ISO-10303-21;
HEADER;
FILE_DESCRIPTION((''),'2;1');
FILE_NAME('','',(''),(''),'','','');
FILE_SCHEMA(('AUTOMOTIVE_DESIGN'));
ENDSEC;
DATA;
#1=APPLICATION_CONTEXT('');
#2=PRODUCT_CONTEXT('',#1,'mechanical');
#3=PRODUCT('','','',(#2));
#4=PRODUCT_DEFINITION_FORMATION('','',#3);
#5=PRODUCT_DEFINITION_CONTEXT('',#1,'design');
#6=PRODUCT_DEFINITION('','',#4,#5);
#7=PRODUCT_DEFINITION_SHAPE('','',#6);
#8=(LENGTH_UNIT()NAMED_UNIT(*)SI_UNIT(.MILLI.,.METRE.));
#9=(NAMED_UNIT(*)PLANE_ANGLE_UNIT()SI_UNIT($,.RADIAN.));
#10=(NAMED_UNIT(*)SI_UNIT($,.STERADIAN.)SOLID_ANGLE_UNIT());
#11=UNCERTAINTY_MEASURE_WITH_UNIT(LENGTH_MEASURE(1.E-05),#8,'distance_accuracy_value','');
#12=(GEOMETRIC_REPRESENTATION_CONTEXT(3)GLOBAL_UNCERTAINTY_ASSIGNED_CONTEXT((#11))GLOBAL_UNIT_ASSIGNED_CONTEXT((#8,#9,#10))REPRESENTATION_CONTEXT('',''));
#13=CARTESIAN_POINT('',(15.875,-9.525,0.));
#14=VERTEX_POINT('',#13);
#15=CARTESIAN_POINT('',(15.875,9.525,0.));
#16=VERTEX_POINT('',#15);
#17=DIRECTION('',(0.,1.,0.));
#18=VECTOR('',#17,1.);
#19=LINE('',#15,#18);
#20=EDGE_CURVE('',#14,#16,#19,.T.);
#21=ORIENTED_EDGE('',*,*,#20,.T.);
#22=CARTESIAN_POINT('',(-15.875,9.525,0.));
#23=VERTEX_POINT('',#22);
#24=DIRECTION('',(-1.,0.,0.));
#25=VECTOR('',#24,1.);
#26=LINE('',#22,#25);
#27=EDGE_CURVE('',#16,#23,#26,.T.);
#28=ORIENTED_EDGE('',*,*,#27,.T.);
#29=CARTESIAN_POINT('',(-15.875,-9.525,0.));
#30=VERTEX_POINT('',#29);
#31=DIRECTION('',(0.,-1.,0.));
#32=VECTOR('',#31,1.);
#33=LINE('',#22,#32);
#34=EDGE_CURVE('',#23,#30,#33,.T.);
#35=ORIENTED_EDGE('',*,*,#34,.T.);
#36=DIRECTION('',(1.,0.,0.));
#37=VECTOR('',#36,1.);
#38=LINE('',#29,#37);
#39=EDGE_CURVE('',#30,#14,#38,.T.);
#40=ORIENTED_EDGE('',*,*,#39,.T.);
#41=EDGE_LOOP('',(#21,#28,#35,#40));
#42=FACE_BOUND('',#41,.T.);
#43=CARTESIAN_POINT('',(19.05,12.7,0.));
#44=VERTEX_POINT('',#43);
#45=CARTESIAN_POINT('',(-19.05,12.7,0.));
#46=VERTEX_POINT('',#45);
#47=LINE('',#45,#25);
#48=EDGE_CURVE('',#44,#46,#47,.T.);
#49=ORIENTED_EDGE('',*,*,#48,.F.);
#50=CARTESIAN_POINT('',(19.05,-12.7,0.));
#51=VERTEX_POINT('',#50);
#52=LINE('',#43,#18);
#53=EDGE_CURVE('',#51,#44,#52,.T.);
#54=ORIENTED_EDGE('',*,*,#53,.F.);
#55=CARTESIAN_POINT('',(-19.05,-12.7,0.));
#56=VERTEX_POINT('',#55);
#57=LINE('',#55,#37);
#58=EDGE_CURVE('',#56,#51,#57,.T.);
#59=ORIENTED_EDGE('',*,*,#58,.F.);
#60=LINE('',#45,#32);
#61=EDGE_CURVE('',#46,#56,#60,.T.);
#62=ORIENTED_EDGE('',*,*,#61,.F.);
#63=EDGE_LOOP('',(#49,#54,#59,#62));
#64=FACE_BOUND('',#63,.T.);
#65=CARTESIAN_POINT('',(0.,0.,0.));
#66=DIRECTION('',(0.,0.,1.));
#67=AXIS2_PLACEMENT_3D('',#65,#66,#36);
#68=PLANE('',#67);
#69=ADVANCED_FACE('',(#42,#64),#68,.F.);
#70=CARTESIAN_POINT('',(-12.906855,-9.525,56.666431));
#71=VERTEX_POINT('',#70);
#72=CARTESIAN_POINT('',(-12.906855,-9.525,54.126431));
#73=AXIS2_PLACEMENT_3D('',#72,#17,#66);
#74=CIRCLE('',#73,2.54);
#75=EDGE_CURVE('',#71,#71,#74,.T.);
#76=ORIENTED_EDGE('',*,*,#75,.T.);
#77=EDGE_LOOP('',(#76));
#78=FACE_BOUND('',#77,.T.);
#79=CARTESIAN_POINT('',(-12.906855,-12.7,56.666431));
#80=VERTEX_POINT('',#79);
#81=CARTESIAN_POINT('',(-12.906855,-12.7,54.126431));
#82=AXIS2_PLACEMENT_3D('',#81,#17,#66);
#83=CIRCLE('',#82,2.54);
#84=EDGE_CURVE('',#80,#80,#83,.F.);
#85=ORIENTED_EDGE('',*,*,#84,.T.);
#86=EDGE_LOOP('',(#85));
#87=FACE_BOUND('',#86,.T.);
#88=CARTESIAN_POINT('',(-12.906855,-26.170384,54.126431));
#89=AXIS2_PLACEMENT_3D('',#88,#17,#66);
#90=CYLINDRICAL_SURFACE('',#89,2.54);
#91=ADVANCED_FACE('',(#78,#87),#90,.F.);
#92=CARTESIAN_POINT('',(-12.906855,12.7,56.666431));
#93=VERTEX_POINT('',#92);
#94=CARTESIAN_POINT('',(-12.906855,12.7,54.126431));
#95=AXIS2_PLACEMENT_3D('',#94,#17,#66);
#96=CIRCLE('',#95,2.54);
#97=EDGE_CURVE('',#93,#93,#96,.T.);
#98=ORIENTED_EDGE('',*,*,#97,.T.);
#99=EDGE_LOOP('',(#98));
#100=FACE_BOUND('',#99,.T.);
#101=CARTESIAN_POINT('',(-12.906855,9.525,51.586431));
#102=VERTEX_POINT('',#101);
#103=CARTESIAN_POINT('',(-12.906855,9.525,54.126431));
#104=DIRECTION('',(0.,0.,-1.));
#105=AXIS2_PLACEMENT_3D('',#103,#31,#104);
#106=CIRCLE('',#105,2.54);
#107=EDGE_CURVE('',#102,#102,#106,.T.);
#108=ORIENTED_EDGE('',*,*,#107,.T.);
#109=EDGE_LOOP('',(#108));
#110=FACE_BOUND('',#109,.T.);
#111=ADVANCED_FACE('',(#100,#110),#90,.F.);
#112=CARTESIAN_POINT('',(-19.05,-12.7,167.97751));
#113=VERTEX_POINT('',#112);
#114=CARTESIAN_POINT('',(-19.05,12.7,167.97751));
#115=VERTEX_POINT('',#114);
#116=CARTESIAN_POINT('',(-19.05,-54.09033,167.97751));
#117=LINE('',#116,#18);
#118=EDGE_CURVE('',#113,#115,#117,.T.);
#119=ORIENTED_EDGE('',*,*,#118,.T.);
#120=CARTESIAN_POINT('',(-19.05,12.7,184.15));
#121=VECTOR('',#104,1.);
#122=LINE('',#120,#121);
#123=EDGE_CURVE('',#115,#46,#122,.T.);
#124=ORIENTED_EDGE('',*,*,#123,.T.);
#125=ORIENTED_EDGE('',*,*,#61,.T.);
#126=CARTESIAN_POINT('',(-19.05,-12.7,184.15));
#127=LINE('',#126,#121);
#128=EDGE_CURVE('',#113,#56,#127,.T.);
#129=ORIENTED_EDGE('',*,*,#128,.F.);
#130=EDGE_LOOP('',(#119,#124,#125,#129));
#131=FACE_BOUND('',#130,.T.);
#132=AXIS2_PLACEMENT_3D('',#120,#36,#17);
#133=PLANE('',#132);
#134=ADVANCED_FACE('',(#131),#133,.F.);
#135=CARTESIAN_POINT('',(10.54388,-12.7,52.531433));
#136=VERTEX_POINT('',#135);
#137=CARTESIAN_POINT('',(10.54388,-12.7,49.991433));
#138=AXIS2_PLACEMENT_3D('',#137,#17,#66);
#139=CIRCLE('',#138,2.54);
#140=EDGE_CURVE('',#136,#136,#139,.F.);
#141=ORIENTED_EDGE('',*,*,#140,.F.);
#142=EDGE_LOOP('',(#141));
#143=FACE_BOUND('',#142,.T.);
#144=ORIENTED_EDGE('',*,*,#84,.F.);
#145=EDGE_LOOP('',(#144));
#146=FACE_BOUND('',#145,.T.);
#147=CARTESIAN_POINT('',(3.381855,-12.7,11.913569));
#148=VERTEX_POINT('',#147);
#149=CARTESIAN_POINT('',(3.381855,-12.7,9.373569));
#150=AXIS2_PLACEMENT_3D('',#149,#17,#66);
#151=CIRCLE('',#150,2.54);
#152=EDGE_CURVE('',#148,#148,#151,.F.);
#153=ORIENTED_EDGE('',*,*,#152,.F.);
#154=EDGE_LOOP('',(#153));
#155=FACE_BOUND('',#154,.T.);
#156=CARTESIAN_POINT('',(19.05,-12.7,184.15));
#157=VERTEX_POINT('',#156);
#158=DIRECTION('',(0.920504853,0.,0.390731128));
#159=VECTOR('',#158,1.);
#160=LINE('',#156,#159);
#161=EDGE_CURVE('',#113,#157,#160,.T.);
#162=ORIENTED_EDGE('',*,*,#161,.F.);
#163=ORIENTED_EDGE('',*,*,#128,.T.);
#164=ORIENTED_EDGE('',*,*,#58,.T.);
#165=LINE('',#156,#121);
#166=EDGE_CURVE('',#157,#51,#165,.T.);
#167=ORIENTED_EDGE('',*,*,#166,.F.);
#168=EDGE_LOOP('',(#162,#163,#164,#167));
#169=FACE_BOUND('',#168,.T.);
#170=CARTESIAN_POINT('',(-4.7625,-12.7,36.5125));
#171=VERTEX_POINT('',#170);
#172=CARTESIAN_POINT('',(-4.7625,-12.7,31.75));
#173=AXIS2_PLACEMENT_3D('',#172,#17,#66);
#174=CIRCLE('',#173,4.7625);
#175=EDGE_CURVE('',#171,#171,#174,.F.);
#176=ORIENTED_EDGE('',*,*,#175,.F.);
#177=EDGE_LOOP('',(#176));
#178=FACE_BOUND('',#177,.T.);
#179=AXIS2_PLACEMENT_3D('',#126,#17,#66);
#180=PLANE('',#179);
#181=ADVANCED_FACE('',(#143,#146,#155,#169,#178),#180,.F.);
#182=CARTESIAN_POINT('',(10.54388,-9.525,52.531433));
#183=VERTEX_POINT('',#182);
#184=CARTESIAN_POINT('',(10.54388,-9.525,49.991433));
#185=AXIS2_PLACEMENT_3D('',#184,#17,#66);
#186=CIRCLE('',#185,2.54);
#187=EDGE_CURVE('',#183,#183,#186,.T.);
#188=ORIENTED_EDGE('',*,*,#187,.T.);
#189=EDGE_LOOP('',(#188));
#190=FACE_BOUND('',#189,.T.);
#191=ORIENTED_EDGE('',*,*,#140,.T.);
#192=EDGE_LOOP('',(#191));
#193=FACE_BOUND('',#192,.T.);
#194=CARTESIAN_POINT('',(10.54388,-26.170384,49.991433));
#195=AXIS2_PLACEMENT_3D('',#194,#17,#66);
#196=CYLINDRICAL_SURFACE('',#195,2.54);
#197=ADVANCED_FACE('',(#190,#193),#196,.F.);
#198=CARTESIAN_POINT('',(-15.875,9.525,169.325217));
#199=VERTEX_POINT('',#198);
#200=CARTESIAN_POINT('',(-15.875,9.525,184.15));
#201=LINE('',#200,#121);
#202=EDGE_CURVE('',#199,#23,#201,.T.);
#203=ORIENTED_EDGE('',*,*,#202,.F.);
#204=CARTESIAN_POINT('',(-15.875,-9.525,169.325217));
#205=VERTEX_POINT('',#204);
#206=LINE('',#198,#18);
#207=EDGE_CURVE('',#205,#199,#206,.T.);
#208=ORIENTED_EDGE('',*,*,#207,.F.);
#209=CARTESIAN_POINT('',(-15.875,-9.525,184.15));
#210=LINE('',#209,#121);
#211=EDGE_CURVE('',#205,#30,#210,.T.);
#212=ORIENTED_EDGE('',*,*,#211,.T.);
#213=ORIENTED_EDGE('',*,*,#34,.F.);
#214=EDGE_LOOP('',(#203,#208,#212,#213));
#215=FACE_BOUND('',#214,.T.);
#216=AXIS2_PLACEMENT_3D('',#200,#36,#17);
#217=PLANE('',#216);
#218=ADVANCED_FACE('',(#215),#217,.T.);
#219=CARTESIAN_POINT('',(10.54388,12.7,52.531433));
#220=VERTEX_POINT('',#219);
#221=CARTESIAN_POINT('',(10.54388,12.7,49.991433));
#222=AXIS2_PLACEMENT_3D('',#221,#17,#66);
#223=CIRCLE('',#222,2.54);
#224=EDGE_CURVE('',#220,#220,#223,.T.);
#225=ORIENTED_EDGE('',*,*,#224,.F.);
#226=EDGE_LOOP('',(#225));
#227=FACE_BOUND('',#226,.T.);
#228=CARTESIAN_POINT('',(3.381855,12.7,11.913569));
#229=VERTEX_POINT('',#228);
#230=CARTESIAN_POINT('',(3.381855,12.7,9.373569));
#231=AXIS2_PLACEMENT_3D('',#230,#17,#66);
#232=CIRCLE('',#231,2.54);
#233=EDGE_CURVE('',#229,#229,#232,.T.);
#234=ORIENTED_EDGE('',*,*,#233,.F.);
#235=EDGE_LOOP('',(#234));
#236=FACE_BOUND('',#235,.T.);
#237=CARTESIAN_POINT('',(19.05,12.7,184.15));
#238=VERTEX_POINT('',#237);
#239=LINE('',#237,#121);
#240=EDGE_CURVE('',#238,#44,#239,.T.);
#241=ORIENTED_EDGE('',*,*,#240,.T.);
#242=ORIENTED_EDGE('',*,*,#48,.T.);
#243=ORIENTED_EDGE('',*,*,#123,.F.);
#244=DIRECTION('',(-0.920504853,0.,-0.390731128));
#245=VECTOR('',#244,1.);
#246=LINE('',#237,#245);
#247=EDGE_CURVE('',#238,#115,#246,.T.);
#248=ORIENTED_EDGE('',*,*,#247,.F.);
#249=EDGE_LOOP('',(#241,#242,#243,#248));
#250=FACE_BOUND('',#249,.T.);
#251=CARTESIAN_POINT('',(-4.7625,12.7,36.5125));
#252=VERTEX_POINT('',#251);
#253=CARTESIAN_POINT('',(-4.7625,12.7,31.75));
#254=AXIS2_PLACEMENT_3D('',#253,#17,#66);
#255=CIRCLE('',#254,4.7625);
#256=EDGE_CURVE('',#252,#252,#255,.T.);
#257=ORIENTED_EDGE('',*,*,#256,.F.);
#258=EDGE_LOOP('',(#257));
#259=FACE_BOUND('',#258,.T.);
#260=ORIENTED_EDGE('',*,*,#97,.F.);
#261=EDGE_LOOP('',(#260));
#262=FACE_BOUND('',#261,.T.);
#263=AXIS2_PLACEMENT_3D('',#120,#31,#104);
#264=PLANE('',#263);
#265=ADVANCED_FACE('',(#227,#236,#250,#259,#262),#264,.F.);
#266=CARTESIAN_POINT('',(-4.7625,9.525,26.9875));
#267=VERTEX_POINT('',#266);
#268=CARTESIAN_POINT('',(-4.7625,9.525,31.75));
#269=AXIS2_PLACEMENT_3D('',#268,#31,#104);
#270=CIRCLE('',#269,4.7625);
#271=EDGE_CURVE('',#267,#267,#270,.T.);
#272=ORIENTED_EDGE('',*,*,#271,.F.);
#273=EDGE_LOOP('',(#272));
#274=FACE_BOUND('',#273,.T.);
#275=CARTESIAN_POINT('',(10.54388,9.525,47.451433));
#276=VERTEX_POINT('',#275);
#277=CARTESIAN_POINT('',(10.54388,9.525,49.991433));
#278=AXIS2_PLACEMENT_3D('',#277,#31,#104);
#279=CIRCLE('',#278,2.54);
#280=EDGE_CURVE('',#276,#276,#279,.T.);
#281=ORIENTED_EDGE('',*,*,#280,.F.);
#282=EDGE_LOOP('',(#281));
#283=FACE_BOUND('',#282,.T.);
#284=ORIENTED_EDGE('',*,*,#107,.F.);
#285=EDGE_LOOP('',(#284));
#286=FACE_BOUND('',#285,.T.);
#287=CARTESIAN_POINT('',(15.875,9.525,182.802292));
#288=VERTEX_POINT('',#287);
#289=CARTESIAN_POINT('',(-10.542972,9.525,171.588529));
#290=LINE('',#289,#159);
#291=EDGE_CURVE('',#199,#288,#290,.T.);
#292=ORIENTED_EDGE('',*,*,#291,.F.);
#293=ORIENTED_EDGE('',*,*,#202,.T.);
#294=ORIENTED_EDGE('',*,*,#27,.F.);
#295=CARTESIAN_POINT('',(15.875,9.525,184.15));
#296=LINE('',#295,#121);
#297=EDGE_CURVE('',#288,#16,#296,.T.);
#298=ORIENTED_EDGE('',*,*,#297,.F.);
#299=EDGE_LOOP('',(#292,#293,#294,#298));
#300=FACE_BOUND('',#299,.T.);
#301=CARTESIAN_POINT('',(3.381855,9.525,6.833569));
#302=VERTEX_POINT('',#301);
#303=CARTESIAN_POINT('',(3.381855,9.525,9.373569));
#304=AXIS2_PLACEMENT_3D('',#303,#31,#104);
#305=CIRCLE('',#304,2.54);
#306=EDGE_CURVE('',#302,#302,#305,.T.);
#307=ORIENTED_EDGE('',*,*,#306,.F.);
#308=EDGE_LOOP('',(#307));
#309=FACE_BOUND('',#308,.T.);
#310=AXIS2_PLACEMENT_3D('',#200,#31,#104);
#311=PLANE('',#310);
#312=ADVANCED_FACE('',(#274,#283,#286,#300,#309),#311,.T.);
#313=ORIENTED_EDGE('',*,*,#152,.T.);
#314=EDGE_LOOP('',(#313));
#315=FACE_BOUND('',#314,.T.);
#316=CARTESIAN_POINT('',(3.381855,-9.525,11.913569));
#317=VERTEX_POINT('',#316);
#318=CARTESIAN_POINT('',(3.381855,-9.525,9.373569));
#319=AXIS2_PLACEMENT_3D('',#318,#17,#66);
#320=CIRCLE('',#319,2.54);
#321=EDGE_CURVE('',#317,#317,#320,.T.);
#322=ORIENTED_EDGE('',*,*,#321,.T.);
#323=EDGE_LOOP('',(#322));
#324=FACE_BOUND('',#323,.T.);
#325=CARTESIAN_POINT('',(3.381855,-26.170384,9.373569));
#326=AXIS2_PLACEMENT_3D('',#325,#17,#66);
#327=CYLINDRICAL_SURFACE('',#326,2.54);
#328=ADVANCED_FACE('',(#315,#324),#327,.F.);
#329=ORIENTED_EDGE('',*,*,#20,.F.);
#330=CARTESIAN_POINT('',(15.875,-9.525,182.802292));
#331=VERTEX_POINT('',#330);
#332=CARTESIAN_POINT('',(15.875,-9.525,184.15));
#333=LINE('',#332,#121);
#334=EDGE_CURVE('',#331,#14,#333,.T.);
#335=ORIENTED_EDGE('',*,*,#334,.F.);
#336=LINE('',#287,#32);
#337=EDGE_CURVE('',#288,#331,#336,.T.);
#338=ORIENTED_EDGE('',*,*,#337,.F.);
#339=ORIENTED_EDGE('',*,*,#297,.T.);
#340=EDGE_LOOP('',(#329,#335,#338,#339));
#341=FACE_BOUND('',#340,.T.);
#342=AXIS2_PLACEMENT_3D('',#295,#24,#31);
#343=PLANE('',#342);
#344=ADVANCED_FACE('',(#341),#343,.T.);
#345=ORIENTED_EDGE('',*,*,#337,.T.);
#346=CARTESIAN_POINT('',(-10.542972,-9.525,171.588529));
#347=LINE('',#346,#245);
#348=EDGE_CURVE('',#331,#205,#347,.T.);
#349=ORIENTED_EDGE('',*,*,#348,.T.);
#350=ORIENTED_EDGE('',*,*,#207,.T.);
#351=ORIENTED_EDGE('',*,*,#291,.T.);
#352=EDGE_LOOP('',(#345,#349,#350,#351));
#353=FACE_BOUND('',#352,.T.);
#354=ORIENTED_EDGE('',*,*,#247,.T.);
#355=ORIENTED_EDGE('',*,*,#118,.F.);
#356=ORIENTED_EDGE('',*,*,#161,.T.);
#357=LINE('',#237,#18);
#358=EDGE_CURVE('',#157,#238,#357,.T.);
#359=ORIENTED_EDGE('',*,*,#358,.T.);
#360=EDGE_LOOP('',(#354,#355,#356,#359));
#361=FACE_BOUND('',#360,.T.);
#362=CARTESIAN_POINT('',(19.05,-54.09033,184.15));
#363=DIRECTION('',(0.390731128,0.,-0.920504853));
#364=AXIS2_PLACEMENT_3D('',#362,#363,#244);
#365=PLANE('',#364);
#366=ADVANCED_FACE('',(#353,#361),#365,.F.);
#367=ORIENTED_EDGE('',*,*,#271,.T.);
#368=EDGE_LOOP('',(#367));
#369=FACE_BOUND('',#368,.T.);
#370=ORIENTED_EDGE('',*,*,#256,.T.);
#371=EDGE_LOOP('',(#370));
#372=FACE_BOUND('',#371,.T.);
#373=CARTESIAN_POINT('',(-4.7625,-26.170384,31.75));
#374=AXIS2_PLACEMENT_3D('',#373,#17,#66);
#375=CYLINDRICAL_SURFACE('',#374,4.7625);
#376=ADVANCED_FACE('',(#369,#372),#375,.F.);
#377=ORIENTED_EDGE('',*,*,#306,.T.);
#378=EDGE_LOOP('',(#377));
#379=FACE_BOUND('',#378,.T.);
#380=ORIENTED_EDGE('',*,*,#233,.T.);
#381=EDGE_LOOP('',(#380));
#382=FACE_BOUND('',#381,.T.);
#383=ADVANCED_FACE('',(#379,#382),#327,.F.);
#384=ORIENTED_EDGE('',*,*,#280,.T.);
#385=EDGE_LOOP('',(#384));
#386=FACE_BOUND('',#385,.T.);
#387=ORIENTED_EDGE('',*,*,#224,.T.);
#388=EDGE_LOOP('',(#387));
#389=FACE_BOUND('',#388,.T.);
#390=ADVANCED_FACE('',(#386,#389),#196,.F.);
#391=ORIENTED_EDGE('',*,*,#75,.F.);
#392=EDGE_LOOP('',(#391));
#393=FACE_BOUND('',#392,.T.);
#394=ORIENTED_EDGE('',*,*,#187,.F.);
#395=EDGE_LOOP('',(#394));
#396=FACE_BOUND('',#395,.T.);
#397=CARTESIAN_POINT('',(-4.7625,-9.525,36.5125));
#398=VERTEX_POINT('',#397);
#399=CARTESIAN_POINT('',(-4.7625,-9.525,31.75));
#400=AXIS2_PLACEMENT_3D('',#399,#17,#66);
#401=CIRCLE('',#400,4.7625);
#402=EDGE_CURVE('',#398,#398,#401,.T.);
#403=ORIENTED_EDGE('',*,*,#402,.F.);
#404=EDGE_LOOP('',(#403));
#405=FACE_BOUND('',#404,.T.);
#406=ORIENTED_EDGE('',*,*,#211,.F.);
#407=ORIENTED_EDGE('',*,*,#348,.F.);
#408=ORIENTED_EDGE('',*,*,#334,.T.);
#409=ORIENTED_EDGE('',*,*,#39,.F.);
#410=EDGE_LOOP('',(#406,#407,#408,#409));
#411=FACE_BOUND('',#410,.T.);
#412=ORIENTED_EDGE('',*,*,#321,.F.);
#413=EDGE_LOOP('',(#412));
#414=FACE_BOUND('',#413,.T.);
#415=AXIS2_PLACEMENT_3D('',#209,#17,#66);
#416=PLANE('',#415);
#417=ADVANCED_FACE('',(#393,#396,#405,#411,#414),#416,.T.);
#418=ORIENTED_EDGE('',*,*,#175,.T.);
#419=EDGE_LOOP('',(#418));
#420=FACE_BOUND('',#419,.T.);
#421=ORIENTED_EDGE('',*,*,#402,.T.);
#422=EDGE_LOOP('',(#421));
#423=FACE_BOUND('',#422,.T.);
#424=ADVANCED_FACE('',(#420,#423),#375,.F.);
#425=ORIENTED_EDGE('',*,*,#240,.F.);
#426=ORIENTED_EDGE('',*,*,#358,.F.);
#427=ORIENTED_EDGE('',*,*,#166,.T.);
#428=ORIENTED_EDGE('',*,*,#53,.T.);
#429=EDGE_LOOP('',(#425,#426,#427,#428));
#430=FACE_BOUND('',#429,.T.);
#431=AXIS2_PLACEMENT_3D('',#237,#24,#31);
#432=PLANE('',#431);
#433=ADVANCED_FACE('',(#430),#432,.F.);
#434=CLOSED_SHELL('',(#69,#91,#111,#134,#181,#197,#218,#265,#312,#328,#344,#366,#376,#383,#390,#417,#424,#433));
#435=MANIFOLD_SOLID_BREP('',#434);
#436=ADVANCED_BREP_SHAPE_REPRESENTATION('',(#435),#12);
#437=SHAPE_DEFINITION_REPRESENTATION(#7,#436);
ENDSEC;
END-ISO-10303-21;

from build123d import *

# Parameters (mm, degrees)
SKETCH1_W           = 38.1
SKETCH1_H           = 25.4
SKETCH1_W_2         = 31.75
SKETCH1_H_2         = 19.05
BOSS_EXTRUDE1_DEPTH = 184.15
CUT_EXTRUDE1_REACH  = 188.867
CUT_EXTRUDE2_REACH  = 188.867
SKETCH3_R           = 4.7625
SKETCH3_R_2         = 2.54


with BuildPart() as part:
    # Sketch1 → Boss-Extrude1 (new body)
    with BuildSketch(Plane.XY):
        Rectangle(SKETCH1_W, SKETCH1_H)
        Rectangle(SKETCH1_W_2, SKETCH1_H_2, mode=Mode.SUBTRACT)
    extrude(amount=BOSS_EXTRUDE1_DEPTH)

    # Cut-Extrude1: up to this face of the body (flat: up to its plane)
    cut_extrude1_end = Plane(part.part.faces().sort_by_distance((0, -12.7, 92.075))[0])
    # Sketch2 → Cut-Extrude1 (cut, up to the picked face)
    with BuildSketch(Plane(origin=(0, 12.7, 0), x_dir=(1, 0, 0), z_dir=(0, 1, 0)), mode=Mode.PRIVATE) as cut_extrude1_sk1:
        Polygon((19.05, -184.15), (-19.05, -167.977509502), (-19.05, -184.15), align=None)
    cut_extrude1_tool1 = split(extrude(cut_extrude1_sk1.sketch, amount=-CUT_EXTRUDE1_REACH, mode=Mode.PRIVATE), bisect_by=cut_extrude1_end, keep=Keep.BOTH, mode=Mode.PRIVATE)
    add(cut_extrude1_tool1.solids().sort_by(Axis((-6.35, 12.7, 178.75917), (0, -1, 0)))[0], mode=Mode.SUBTRACT)

    # Cut-Extrude2: up to this face of the body (flat: up to its plane)
    cut_extrude2_end = Plane(part.part.faces().sort_by_distance((0.291642408, -12.7, 88.093774804))[0])
    # Sketch3 → Cut-Extrude2 (cut, up to the picked face)
    with BuildSketch(Plane(origin=(0, 12.7, 0), x_dir=(1, 0, 0), z_dir=(0, 1, 0)), mode=Mode.PRIVATE) as cut_extrude2_sk1:
        with Locations(Location((-4.7625, -31.75, 0), (0, 0, 270))):
            Circle(SKETCH3_R)
    cut_extrude2_tool1 = split(extrude(cut_extrude2_sk1.sketch, amount=-CUT_EXTRUDE2_REACH, mode=Mode.PRIVATE), bisect_by=cut_extrude2_end, keep=Keep.BOTH, mode=Mode.PRIVATE)
    # Sketch3 → Cut-Extrude2 (cut, up to the picked face)
    with BuildSketch(Plane(origin=(0, 12.7, 0), x_dir=(1, 0, 0), z_dir=(0, 1, 0)), mode=Mode.PRIVATE) as cut_extrude2_sk2:
        with Locations(Location((-12.906854663, -54.126430532, 0), (0, 0, 270))):
            Circle(SKETCH3_R_2)
    cut_extrude2_tool2 = split(extrude(cut_extrude2_sk2.sketch, amount=-CUT_EXTRUDE2_REACH, mode=Mode.PRIVATE), bisect_by=cut_extrude2_end, keep=Keep.BOTH, mode=Mode.PRIVATE)
    # Sketch3 → Cut-Extrude2 (cut, up to the picked face)
    with BuildSketch(Plane(origin=(0, 12.7, 0), x_dir=(1, 0, 0), z_dir=(0, 1, 0)), mode=Mode.PRIVATE) as cut_extrude2_sk3:
        with Locations(Location((3.381854663, -9.373569468, 0), (0, 0, 270))):
            Circle(SKETCH3_R_2)
    cut_extrude2_tool3 = split(extrude(cut_extrude2_sk3.sketch, amount=-CUT_EXTRUDE2_REACH, mode=Mode.PRIVATE), bisect_by=cut_extrude2_end, keep=Keep.BOTH, mode=Mode.PRIVATE)
    # Sketch3 → Cut-Extrude2 (cut, up to the picked face)
    with BuildSketch(Plane(origin=(0, 12.7, 0), x_dir=(1, 0, 0), z_dir=(0, 1, 0)), mode=Mode.PRIVATE) as cut_extrude2_sk4:
        with Locations(Location((10.543879956, -49.991433302, 0), (0, 0, 270))):
            Circle(SKETCH3_R_2)
    cut_extrude2_tool4 = split(extrude(cut_extrude2_sk4.sketch, amount=-CUT_EXTRUDE2_REACH, mode=Mode.PRIVATE), bisect_by=cut_extrude2_end, keep=Keep.BOTH, mode=Mode.PRIVATE)
    add(cut_extrude2_tool1.solids().sort_by(Axis((-4.7625, 12.7, 31.75), (0, -1, 0)))[0], mode=Mode.SUBTRACT)
    add(cut_extrude2_tool2.solids().sort_by(Axis((-12.906855, 12.7, 54.126431), (0, -1, 0)))[0], mode=Mode.SUBTRACT)
    add(cut_extrude2_tool3.solids().sort_by(Axis((3.381855, 12.7, 9.373569), (0, -1, 0)))[0], mode=Mode.SUBTRACT)
    add(cut_extrude2_tool4.solids().sort_by(Axis((10.54388, 12.7, 49.991433), (0, -1, 0)))[0], mode=Mode.SUBTRACT)


solid = part.part
